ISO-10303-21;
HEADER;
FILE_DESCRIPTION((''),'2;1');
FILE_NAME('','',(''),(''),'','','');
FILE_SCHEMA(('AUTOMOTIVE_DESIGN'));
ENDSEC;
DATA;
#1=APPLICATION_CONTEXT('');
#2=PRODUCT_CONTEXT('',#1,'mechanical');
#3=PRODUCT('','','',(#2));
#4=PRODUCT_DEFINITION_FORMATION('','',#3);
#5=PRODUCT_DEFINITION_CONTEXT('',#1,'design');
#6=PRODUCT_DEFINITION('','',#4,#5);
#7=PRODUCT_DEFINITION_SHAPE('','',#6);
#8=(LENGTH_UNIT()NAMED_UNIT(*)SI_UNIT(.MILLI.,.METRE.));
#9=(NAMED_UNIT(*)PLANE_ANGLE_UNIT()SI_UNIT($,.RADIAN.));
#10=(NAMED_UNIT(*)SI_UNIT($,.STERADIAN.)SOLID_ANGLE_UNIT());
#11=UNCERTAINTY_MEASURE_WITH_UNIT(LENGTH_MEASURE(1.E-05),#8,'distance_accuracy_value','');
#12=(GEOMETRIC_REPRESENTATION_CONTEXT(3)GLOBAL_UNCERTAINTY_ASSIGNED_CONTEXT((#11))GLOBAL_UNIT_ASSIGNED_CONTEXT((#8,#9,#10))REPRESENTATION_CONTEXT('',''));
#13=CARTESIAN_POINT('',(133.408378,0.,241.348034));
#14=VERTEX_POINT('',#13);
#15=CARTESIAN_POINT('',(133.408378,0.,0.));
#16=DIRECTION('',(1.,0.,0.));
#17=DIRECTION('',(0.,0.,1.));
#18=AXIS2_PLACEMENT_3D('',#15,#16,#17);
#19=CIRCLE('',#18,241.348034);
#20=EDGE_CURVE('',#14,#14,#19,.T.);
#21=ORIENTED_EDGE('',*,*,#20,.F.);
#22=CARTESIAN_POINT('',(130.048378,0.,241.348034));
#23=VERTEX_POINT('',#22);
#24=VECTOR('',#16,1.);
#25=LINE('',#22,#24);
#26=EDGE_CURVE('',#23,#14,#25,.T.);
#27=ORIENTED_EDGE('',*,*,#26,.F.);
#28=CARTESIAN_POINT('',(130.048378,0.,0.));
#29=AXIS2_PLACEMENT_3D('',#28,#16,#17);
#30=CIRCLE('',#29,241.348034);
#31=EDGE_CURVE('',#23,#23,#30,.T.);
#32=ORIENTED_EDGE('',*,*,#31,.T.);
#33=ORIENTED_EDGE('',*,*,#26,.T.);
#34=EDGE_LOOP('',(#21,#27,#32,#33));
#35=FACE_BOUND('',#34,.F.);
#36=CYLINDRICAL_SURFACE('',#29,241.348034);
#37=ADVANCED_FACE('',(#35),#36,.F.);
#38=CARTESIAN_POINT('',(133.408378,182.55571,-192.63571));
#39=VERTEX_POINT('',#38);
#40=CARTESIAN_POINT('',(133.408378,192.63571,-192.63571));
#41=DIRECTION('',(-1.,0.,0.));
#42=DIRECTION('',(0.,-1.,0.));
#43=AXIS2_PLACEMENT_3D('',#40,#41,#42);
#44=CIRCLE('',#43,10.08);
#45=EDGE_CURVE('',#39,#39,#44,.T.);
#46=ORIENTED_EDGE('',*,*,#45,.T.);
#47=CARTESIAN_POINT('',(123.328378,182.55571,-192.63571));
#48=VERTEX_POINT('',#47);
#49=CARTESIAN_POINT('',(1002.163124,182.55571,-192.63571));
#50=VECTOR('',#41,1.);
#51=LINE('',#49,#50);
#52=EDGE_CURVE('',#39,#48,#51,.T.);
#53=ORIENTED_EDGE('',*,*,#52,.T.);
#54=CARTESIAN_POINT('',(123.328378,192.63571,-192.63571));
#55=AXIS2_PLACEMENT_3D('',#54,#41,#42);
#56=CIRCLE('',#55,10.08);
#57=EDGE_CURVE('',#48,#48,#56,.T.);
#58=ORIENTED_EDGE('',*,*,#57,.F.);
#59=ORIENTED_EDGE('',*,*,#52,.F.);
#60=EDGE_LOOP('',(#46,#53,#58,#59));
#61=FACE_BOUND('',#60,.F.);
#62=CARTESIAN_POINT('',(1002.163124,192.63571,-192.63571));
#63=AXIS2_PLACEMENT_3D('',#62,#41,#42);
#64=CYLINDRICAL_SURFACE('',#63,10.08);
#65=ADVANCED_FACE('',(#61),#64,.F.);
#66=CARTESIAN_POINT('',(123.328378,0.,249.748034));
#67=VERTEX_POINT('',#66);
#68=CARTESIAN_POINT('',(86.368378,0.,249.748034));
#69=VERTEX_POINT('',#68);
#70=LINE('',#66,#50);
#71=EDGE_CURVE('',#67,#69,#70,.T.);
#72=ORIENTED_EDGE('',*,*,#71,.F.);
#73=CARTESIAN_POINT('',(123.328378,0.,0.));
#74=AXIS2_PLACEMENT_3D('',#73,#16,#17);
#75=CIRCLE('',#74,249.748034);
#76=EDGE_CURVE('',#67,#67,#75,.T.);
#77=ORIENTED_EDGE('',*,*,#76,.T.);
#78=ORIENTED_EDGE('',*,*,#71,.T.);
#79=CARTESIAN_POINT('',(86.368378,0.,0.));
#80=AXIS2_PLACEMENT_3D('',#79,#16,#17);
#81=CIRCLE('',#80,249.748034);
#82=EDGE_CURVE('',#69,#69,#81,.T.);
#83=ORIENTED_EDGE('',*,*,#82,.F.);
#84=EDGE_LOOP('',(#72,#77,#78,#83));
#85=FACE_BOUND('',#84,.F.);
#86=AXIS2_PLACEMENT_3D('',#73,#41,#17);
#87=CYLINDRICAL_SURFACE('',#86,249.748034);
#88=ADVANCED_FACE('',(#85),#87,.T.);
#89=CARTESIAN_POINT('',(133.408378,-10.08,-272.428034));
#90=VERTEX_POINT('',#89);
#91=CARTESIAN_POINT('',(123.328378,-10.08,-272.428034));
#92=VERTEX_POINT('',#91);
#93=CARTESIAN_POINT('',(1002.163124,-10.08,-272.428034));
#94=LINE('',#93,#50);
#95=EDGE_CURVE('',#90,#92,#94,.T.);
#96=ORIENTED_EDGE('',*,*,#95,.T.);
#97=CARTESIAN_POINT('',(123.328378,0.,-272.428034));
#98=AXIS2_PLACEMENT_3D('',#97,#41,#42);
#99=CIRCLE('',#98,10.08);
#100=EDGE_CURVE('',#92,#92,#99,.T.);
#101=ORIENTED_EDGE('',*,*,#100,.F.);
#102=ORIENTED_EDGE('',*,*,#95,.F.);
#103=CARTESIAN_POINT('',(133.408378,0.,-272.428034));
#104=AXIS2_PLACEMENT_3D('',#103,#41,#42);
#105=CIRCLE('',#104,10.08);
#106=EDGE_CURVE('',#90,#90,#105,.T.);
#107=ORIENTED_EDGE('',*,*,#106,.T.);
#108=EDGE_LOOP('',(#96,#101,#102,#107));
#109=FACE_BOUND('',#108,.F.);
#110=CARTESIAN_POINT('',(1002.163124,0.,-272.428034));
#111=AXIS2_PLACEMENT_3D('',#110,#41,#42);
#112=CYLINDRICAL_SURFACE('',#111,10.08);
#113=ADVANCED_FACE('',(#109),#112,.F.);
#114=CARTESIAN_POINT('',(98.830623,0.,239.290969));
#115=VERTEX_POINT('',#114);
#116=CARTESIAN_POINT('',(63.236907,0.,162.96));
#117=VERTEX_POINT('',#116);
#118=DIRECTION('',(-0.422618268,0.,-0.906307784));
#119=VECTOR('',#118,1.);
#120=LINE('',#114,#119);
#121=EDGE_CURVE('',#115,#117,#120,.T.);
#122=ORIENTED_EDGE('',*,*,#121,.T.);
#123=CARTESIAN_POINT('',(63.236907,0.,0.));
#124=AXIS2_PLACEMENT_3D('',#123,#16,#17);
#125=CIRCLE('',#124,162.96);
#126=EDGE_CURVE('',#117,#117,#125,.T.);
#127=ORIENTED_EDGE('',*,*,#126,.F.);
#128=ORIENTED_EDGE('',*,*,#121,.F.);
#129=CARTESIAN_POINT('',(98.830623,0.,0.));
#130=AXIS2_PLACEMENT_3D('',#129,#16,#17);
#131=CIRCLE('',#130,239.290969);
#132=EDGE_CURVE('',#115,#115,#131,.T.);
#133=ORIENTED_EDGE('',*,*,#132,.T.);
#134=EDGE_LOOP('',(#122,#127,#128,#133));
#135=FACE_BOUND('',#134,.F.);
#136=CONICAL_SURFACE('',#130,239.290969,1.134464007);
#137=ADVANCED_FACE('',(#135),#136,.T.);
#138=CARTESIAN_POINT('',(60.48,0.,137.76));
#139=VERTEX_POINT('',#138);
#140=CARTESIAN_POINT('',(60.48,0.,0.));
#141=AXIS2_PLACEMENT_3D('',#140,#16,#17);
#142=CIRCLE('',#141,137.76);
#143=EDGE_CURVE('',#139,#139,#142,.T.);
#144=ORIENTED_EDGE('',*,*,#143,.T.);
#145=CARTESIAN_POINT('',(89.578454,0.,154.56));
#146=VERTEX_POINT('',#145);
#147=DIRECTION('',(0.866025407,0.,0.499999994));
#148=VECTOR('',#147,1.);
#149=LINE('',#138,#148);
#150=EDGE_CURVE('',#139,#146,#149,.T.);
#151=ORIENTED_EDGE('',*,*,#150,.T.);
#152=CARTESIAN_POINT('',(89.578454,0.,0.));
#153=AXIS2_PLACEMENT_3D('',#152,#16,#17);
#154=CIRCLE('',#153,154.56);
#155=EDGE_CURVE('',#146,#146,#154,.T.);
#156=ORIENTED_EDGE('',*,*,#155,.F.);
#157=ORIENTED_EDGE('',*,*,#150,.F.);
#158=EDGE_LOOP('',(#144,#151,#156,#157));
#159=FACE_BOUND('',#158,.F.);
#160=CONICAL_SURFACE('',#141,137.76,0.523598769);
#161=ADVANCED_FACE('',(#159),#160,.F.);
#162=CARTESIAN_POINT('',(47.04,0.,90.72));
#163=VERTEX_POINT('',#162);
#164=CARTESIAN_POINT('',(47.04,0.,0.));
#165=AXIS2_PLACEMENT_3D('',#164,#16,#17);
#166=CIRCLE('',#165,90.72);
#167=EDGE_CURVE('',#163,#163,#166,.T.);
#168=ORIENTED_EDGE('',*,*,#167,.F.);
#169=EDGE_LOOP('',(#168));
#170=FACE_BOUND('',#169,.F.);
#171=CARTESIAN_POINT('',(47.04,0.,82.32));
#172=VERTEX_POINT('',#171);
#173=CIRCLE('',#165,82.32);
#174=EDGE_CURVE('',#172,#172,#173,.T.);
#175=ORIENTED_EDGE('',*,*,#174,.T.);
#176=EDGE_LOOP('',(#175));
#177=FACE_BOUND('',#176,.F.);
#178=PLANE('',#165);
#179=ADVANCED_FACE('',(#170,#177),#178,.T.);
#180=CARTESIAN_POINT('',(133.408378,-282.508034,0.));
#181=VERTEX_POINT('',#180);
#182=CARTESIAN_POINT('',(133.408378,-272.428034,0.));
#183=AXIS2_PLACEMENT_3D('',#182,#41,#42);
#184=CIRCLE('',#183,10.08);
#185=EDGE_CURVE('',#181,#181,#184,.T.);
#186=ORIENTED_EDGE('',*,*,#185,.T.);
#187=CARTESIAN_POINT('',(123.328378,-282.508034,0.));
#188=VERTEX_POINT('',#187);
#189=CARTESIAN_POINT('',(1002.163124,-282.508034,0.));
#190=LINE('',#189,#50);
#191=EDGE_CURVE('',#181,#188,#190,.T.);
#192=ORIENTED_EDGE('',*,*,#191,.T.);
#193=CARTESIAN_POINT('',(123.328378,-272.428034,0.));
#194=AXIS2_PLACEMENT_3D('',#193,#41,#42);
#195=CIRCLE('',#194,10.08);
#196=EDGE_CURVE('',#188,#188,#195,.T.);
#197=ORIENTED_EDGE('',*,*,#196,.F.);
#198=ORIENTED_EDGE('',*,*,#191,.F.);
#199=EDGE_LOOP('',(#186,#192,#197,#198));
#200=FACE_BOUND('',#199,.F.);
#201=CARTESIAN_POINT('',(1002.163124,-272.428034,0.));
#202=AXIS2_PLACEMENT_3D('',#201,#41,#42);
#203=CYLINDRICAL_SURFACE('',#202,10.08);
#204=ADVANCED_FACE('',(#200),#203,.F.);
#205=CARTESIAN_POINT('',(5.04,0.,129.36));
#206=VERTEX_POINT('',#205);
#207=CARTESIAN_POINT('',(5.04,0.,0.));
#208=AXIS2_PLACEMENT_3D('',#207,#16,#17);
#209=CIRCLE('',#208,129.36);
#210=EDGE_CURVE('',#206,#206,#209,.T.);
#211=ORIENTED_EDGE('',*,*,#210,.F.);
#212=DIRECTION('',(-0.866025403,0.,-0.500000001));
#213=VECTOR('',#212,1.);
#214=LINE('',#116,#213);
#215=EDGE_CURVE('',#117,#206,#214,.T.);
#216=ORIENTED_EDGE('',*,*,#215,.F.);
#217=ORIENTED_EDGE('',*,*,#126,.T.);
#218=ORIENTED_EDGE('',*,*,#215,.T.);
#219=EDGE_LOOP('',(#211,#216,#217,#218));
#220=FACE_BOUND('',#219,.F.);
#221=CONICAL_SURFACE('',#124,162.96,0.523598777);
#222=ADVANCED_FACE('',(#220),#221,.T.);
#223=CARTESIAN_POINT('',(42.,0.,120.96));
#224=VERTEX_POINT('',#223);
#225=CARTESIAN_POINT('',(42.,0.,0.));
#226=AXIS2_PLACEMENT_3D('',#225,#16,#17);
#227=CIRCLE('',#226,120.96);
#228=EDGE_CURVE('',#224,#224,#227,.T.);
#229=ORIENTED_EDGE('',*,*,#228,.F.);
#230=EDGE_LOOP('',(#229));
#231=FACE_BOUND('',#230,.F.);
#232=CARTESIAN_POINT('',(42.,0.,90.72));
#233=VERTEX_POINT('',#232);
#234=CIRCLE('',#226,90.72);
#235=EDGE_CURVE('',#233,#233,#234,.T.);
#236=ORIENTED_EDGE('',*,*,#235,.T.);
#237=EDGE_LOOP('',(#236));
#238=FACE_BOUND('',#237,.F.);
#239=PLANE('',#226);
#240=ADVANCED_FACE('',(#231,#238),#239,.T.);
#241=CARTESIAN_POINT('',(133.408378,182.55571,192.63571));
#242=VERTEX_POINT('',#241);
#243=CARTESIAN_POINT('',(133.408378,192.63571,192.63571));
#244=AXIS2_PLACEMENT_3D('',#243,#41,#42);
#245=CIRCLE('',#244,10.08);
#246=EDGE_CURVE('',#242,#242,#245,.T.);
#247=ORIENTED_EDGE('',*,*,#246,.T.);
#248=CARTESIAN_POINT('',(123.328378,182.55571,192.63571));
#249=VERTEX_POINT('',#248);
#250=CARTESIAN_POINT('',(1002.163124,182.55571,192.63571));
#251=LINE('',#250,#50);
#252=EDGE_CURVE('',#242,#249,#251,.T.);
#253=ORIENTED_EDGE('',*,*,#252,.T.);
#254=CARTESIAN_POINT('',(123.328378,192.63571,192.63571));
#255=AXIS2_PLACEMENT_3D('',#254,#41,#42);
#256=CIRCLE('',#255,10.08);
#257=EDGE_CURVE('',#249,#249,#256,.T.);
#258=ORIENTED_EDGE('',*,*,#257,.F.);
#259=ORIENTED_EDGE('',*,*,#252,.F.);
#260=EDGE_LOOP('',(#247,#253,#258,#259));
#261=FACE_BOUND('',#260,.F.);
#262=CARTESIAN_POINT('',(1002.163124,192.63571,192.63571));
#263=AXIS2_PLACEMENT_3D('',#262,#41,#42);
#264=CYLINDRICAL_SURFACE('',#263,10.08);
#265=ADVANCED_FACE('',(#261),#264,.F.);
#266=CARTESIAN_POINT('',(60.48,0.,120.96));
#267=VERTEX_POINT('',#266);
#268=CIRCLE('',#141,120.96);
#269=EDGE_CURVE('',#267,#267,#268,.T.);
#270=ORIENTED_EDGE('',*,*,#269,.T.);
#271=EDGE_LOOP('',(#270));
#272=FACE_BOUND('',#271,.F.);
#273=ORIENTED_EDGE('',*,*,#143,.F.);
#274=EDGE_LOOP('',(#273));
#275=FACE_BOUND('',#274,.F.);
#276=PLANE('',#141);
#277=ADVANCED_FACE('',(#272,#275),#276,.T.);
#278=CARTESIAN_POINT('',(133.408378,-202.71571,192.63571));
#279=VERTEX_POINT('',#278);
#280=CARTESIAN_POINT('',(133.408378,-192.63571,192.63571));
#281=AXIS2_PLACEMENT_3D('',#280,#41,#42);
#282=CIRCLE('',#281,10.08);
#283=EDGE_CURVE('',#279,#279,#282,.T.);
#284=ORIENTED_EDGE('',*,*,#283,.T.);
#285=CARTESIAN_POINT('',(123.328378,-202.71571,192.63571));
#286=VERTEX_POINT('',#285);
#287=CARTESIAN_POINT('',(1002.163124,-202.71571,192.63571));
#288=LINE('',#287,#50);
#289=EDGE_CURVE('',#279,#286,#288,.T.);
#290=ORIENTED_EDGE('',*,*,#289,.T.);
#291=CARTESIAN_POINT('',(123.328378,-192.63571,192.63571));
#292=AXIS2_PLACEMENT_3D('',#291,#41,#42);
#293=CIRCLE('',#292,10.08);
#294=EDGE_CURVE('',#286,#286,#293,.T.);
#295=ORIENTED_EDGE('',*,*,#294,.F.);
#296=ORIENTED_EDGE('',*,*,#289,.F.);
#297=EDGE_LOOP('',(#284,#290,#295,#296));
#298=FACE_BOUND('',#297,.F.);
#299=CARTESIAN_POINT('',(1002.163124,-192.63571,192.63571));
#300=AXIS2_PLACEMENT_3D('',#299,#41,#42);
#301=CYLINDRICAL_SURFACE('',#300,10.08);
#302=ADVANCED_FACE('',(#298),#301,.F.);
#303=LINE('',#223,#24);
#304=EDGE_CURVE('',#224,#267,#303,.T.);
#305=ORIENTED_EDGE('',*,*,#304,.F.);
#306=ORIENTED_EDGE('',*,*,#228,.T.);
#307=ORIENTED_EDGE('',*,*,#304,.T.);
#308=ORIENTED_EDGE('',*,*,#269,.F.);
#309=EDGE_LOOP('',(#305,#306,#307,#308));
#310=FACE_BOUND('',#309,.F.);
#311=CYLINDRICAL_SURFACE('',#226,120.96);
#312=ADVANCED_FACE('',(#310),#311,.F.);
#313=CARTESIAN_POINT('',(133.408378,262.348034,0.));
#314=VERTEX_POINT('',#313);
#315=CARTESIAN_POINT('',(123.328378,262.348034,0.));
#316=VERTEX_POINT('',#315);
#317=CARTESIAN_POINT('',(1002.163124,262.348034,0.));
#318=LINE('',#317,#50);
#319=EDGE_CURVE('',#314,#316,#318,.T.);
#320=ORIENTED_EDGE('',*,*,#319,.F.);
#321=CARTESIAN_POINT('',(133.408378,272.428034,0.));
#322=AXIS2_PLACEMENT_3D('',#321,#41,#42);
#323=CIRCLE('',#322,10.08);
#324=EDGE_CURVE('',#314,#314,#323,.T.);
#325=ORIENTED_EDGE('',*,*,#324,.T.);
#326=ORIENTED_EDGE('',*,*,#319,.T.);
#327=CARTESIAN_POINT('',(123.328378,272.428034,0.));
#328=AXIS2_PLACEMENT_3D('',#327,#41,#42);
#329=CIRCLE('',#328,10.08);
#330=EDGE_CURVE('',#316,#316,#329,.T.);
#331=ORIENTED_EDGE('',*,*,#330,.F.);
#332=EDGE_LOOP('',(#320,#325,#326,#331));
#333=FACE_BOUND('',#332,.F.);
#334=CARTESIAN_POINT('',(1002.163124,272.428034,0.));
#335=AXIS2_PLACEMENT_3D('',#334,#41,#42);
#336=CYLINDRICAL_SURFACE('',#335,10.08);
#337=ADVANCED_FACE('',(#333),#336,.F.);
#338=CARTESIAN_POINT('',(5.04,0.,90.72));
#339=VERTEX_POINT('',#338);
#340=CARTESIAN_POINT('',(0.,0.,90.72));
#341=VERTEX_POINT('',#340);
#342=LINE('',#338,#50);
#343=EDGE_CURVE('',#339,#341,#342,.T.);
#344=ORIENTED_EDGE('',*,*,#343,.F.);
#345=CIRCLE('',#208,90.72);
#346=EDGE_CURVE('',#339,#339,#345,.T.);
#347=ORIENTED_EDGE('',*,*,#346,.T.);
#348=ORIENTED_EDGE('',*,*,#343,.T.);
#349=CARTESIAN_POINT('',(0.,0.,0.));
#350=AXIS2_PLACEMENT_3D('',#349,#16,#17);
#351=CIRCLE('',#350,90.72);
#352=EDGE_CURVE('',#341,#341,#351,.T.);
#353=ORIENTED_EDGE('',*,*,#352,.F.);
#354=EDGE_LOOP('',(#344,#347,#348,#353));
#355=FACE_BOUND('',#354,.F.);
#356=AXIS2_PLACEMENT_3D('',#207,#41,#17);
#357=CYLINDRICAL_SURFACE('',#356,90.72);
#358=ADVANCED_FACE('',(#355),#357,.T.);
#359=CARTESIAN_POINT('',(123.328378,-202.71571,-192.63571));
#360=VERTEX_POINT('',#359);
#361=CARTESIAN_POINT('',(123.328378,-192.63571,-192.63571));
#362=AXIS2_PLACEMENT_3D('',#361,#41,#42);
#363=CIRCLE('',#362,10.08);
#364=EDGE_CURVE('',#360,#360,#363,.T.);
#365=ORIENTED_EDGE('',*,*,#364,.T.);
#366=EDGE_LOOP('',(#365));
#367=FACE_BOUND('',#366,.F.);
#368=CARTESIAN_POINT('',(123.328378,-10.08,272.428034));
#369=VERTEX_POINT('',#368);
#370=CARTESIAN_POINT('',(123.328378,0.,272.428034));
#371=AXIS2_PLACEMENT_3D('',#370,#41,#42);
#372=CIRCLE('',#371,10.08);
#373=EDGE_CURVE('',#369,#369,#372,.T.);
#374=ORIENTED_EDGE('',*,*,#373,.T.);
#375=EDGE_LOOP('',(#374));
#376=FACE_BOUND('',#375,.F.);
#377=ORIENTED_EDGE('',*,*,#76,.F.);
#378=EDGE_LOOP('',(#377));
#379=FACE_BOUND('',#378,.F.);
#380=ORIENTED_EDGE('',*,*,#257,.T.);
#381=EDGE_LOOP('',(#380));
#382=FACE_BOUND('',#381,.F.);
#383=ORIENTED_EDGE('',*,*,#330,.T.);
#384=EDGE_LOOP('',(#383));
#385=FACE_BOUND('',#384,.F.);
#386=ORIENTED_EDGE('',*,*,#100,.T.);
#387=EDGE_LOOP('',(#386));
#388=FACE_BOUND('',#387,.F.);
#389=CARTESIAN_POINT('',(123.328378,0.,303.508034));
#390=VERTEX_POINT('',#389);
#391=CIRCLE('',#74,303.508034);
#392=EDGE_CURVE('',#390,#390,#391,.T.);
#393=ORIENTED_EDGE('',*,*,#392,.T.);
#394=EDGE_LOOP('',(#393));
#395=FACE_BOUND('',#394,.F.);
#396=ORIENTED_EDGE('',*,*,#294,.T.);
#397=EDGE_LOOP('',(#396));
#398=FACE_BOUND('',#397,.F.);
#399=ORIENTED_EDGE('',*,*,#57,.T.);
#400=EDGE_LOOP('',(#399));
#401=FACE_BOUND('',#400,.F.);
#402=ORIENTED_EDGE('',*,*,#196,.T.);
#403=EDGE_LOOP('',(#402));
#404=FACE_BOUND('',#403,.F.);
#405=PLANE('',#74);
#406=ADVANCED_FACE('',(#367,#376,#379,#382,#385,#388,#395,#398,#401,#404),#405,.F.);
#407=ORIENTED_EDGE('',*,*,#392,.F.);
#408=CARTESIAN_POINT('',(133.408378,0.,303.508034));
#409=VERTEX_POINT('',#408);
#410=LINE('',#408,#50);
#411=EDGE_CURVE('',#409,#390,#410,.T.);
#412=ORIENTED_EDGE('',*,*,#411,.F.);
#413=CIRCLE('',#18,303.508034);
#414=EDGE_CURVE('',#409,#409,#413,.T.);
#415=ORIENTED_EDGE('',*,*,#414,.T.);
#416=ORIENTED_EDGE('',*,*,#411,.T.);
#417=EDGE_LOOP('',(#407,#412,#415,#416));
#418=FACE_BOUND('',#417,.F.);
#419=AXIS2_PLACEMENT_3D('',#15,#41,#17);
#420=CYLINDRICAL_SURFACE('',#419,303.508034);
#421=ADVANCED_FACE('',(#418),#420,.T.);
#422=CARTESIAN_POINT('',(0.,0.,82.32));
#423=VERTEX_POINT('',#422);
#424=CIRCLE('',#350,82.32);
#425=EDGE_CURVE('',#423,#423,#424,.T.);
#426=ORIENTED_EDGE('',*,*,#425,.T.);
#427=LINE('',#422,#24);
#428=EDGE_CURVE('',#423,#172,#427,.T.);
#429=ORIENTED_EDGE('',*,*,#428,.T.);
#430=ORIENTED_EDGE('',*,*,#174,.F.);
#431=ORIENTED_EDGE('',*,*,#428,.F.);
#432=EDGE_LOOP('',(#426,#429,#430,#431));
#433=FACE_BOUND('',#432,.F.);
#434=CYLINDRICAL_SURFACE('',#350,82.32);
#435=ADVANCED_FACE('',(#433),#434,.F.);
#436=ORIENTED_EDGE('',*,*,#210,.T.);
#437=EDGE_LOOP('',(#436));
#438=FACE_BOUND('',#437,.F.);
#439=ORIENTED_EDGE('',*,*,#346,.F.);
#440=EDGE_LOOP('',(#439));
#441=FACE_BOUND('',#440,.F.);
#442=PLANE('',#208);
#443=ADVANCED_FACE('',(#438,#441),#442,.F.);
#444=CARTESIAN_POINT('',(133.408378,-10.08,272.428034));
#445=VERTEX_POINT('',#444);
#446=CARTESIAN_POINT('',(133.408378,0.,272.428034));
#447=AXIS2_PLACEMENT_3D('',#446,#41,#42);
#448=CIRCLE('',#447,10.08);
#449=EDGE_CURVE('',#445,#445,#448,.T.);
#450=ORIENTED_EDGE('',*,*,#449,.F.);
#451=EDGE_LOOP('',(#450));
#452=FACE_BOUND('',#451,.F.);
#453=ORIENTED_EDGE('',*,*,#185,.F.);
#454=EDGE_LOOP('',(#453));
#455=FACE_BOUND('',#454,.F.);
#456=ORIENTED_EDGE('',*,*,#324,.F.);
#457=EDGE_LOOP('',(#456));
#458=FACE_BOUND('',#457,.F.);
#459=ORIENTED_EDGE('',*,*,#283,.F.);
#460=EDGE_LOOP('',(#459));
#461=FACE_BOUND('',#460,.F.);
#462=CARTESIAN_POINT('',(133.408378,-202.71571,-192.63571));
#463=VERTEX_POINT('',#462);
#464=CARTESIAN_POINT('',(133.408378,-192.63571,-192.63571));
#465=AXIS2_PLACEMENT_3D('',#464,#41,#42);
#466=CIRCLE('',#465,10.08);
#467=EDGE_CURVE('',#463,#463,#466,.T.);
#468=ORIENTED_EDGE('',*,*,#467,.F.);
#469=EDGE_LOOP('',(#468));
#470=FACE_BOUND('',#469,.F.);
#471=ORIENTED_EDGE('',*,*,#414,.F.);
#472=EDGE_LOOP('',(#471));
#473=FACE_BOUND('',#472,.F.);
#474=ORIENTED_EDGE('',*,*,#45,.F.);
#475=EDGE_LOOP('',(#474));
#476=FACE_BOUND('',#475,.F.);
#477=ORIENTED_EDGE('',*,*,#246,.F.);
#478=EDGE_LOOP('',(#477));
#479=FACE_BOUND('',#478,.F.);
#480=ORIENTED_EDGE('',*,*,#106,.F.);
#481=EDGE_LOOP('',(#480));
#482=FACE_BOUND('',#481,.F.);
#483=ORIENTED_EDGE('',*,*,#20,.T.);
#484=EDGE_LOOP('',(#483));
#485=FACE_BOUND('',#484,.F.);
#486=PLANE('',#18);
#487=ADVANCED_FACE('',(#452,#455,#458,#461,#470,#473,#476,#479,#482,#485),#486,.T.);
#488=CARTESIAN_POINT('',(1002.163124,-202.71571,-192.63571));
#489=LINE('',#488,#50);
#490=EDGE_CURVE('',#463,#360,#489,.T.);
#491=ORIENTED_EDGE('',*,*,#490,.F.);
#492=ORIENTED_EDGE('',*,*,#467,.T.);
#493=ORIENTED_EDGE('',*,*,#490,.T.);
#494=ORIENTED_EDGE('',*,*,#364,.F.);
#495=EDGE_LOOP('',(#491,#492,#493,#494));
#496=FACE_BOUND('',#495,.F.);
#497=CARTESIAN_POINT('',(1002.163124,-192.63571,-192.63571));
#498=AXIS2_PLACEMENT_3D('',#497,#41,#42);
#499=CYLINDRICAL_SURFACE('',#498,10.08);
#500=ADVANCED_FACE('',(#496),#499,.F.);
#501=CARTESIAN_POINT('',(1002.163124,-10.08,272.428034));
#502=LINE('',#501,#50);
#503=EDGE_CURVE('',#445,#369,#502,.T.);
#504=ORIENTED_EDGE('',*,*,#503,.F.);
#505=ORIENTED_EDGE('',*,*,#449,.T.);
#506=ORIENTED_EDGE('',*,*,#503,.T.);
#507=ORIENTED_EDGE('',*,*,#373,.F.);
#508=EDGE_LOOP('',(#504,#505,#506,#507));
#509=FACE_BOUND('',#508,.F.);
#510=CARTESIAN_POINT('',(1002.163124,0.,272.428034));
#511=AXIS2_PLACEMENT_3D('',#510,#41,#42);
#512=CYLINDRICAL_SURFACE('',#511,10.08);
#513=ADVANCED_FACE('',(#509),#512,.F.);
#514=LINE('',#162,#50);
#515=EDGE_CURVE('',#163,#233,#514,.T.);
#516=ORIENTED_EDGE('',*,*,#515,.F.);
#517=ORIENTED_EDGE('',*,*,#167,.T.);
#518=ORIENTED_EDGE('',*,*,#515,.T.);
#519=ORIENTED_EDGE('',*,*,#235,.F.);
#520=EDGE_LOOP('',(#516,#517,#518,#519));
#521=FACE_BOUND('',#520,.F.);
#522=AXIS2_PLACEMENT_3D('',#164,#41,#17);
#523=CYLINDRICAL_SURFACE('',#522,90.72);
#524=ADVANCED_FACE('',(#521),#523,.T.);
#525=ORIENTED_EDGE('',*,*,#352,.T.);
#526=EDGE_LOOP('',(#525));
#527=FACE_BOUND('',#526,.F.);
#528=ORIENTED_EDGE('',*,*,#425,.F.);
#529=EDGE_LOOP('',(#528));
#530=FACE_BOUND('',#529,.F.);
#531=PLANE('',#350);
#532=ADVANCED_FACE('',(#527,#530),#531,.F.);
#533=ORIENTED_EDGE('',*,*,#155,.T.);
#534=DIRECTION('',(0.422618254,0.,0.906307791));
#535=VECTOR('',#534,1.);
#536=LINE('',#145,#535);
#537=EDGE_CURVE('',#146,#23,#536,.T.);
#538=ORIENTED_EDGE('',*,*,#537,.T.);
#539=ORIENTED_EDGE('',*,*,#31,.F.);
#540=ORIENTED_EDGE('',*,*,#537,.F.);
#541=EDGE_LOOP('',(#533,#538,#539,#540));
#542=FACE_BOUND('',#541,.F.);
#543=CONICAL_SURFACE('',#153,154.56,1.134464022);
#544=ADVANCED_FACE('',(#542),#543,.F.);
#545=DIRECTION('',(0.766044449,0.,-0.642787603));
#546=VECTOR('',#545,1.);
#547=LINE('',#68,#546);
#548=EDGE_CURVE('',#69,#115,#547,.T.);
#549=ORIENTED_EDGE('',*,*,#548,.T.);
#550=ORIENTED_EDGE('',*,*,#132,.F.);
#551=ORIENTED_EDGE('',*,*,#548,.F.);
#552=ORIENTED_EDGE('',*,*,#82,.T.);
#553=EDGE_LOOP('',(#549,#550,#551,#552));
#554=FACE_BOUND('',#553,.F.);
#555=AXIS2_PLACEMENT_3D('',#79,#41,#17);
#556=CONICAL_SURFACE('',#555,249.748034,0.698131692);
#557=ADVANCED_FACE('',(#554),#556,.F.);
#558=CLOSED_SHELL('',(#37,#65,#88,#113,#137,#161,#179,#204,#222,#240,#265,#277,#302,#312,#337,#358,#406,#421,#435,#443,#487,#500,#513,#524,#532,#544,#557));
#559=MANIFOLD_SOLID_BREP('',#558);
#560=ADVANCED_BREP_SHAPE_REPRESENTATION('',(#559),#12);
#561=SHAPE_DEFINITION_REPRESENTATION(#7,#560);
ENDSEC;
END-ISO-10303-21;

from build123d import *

# Parameters (mm, degrees)
F3_D = 20.16


with BuildPart() as f1:
    # F0 (on Front) → F1 (revolve)
    with BuildSketch(Plane.XZ):
        Polygon((0, 90.72), (0, 82.32), (47.04, 82.32), (47.04, 90.72), (42, 90.72), (42, 120.96), (60.48, 120.96), (60.48, 137.76), (89.578454, 154.56), (130.048378, 241.348034), (133.408378, 241.348034), (133.408378, 258.148034), (133.408378, 303.508034), (123.328378, 303.508034), (123.328378, 249.748034), (86.368378, 249.748034), (98.830623, 239.290969), (63.236907, 162.96), (5.04, 129.36), (5.04, 90.72), align=None)
    revolve(axis=Axis((0, 0, 0), (1, 0, 0)))

    # F3 (through all)
    with Locations(Plane.YZ.offset(133.408378)):
        with Locations((0, 272.428034), (-192.63571, 192.63571), (-272.428034, 0), (192.63571, 192.63571), (272.428034, 0), (-192.63571, -192.63571), (0, -272.428034), (192.63571, -192.63571)):
            Hole(F3_D / 2)


solid = f1.part
